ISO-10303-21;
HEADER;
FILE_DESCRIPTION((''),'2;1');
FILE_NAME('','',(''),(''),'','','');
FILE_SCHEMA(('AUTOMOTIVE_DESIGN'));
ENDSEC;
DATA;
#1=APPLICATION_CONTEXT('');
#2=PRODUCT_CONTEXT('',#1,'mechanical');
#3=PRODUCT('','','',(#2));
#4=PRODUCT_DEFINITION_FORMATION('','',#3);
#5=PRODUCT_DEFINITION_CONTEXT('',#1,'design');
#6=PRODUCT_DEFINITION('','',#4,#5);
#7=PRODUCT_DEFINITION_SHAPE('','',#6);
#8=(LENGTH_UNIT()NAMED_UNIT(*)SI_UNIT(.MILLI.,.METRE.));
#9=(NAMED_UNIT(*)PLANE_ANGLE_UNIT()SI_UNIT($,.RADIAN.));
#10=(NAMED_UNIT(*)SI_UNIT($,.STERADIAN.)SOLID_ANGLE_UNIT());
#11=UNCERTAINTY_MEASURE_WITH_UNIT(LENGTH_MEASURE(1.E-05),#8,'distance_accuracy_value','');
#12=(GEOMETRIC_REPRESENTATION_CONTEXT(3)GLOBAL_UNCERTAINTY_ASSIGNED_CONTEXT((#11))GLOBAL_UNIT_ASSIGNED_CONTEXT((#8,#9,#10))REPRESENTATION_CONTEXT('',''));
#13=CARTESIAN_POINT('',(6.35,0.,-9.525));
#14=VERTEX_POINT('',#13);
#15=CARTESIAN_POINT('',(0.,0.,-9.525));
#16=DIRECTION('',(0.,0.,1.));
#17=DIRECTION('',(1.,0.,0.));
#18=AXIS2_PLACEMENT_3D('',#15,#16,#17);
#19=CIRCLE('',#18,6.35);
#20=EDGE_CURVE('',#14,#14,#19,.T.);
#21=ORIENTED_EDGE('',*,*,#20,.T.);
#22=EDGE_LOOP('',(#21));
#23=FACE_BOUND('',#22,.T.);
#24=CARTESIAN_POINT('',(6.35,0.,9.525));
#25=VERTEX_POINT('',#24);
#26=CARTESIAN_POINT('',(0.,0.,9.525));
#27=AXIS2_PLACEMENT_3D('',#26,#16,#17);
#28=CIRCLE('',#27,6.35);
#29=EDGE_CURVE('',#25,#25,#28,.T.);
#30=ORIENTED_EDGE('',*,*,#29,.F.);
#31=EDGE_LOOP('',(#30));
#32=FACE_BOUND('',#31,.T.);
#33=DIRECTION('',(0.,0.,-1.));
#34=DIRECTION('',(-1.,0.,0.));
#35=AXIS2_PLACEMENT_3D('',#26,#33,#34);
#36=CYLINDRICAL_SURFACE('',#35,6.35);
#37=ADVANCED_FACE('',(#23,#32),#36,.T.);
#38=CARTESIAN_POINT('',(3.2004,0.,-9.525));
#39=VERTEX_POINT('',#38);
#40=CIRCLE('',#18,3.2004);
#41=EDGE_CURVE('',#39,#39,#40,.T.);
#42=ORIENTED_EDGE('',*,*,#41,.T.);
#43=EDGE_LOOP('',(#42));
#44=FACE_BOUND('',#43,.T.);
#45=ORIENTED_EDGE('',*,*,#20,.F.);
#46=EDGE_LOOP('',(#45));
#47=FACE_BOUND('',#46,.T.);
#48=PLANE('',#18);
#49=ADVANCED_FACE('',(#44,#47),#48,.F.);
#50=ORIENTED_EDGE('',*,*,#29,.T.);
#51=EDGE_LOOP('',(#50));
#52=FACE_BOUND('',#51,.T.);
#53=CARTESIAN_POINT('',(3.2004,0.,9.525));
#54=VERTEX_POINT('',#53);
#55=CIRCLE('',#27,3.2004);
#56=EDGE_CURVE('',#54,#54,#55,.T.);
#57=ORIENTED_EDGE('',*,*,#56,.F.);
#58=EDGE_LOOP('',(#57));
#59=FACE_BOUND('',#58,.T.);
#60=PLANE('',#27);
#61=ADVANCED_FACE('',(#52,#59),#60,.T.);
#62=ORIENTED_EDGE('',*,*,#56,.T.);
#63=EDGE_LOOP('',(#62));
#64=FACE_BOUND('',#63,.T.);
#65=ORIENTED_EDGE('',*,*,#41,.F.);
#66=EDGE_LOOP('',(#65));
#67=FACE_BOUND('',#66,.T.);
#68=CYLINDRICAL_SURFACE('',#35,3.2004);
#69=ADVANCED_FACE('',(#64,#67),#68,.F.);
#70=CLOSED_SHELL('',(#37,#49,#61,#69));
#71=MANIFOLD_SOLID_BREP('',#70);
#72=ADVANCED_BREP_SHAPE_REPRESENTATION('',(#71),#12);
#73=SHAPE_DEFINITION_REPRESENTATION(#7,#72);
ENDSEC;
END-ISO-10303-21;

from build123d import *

# Parameters (mm, degrees)
SKETCH1_R           = 6.35
SKETCH1_R_2         = 3.2004
EXTRUDE1_DEPTH      = 9.525
EXTRUDE1_DEPTH_BACK = 9.525


with BuildPart() as part:
    # Sketch1 → Extrude1 (new body, two sides)
    with BuildSketch(Plane.XY) as extrude1_sk:
        Circle(SKETCH1_R)
        Circle(SKETCH1_R_2, mode=Mode.SUBTRACT)
    extrude(amount=EXTRUDE1_DEPTH)
    extrude(extrude1_sk.sketch, amount=-EXTRUDE1_DEPTH_BACK)


solid = part.part
